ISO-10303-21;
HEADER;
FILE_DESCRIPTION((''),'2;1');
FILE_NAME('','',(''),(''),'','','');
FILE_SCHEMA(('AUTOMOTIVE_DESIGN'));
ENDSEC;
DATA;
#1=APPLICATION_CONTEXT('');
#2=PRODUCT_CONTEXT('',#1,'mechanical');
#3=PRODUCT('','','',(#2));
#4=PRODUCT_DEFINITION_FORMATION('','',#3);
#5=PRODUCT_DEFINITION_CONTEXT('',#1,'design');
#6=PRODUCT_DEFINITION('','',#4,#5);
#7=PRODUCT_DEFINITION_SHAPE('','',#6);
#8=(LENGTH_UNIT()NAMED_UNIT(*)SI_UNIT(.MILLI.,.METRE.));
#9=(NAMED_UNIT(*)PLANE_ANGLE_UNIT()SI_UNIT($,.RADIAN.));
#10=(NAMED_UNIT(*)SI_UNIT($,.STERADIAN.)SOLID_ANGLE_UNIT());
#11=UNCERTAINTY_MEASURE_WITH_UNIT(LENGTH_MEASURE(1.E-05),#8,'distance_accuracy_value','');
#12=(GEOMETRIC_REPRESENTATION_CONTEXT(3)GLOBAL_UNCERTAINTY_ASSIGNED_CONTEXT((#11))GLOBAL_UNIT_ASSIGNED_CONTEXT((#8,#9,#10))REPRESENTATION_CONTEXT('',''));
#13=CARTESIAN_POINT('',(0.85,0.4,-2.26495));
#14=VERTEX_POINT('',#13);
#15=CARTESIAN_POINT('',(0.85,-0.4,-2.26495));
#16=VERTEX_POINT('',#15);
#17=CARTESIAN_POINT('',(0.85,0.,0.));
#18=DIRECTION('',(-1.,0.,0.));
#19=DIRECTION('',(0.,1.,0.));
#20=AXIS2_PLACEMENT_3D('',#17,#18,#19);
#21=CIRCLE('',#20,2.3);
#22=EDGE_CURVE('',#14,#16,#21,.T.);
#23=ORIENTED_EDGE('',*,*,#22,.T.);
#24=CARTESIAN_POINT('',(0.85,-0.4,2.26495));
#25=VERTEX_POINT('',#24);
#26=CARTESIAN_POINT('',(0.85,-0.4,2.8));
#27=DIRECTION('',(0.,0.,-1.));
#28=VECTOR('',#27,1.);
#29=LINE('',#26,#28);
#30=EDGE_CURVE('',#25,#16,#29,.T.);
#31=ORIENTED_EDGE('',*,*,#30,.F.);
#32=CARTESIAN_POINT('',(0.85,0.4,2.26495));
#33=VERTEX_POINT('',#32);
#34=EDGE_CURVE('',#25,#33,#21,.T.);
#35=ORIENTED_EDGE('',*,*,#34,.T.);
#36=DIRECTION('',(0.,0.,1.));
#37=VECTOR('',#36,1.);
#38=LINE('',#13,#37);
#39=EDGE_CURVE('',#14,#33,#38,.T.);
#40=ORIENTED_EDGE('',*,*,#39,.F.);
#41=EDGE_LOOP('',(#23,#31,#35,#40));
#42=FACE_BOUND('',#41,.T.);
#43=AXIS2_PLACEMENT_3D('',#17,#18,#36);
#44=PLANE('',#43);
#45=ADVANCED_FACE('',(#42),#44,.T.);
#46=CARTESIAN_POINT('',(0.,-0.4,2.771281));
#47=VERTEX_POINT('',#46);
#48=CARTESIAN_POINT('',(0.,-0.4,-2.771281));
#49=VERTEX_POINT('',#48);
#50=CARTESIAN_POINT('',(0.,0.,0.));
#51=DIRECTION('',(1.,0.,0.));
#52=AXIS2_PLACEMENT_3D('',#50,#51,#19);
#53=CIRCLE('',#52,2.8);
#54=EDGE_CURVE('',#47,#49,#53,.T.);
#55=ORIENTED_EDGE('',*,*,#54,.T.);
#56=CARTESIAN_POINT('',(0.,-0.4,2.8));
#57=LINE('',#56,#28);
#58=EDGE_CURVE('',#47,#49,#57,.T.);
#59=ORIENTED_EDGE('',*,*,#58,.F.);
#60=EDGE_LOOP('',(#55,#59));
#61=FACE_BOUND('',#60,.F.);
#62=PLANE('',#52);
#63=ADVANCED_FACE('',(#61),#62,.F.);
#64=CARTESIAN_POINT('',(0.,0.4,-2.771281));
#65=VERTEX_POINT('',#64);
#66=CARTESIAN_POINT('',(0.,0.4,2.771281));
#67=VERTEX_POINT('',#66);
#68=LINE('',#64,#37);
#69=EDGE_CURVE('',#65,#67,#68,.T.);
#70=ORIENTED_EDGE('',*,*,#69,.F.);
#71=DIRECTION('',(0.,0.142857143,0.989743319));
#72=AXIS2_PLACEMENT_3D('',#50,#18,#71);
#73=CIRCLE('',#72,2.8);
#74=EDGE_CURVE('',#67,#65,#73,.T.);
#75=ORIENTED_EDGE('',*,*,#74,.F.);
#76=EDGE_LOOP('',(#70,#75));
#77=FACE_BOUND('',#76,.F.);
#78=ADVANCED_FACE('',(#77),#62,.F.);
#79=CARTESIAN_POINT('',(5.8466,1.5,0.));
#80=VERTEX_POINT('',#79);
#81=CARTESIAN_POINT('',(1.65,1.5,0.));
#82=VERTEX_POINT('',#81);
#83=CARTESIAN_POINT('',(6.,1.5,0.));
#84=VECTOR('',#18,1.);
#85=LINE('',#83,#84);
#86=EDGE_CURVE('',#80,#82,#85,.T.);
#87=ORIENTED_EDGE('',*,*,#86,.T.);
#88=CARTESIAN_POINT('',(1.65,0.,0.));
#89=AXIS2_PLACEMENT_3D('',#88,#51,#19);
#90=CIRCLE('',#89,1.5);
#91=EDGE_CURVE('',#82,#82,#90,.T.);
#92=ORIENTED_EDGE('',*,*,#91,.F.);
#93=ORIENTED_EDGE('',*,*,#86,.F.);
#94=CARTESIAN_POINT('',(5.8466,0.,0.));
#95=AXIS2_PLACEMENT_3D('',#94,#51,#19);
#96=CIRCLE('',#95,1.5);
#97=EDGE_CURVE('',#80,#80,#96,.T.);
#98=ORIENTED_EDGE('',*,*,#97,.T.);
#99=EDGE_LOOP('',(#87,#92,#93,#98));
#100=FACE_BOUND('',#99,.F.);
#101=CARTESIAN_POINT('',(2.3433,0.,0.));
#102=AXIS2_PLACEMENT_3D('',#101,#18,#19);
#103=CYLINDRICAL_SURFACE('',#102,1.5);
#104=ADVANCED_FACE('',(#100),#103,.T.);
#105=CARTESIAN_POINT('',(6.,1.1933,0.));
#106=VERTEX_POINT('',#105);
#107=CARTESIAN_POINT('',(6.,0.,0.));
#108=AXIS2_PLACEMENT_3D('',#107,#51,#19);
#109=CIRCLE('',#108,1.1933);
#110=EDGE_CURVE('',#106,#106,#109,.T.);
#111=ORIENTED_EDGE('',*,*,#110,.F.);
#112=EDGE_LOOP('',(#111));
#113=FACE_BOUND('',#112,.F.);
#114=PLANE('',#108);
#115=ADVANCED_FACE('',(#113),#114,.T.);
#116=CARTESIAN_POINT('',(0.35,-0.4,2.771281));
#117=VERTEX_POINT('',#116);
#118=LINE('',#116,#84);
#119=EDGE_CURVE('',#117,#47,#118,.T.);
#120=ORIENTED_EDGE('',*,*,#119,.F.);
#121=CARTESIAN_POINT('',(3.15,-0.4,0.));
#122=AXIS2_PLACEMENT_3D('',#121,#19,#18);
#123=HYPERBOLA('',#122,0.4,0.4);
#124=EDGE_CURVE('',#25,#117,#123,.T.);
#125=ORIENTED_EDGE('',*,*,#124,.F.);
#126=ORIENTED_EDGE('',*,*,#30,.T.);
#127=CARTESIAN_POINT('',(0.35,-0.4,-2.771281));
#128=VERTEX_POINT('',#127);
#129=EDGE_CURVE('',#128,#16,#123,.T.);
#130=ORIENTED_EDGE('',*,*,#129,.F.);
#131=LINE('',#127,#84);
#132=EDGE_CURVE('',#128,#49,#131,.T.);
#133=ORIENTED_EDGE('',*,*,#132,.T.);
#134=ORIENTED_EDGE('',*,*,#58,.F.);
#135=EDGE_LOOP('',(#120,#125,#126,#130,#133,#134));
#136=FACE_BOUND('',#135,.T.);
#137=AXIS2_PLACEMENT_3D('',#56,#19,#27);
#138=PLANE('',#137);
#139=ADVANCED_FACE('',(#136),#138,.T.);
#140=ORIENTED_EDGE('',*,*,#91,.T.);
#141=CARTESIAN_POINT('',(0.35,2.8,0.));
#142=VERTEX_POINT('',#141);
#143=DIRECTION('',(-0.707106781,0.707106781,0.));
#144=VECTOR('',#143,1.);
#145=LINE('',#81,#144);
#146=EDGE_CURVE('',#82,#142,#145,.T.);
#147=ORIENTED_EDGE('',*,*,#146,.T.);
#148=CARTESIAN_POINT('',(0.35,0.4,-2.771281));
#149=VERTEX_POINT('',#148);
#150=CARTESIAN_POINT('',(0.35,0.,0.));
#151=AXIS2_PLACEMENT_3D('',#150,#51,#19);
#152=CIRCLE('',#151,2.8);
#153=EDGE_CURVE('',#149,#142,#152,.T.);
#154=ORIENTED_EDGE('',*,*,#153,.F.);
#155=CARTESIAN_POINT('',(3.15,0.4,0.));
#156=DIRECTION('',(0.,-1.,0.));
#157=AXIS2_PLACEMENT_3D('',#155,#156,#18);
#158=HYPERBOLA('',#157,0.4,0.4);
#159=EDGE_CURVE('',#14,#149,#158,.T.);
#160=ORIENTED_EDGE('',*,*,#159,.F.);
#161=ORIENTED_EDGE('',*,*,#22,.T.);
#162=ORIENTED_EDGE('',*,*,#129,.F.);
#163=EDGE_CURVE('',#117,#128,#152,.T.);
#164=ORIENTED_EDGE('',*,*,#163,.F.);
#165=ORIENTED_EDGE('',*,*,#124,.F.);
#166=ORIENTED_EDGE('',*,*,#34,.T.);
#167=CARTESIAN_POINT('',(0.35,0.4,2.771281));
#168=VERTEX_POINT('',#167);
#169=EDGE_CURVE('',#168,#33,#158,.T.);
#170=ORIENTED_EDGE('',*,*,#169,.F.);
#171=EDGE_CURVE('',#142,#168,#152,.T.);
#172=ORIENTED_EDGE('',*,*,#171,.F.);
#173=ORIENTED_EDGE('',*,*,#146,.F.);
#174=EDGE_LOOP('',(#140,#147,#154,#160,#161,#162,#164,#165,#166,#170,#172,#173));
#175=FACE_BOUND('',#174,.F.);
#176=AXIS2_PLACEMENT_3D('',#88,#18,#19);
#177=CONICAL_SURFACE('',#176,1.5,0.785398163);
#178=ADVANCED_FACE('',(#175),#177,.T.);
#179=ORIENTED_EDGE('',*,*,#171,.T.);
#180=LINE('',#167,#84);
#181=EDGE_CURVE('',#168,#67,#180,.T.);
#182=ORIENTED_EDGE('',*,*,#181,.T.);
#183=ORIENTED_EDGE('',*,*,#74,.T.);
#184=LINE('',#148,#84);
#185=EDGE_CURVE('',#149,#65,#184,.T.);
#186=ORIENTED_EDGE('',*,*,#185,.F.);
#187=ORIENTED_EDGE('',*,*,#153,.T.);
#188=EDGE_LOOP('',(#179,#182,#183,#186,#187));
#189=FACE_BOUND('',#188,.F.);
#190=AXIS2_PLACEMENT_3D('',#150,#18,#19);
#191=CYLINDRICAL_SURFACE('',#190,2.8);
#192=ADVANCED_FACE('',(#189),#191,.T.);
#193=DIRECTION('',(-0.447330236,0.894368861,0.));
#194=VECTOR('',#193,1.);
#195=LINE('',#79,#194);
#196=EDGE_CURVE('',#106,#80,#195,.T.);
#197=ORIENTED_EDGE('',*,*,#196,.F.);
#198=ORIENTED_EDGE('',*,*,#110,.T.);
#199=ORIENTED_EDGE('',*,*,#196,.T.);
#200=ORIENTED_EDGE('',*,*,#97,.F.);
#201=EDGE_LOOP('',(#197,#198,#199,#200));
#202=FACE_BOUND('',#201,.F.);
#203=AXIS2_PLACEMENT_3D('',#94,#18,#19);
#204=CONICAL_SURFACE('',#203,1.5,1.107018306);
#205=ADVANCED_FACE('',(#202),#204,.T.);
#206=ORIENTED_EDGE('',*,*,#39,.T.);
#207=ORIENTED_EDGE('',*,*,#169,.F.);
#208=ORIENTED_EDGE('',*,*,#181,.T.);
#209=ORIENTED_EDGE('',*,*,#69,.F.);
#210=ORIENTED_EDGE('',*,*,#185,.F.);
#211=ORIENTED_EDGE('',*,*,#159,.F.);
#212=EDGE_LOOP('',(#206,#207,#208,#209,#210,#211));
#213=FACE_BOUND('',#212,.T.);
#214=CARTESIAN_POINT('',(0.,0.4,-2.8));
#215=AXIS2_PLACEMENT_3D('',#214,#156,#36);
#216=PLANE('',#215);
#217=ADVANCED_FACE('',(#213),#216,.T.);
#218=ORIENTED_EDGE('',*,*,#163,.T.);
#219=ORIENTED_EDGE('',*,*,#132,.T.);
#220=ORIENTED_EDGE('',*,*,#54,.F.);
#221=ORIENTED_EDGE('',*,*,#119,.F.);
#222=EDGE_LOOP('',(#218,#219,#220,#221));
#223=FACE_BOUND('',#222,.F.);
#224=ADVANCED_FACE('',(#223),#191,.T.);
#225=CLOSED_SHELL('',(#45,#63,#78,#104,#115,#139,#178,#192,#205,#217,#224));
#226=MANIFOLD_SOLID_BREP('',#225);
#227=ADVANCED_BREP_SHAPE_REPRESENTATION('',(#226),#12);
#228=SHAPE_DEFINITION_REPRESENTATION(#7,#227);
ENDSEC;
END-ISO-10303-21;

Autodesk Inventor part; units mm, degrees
ref_plane "YZ Plane" through (0, 0, 0) normal (1, 0, 0) x (0, 1, 0)
ref_plane "XZ Plane" through (0, 0, 0) normal (0, 1, 0) x (-1, 0, 0)
sketch "Skizze1" plane through (0, 0, 0) normal (0, 0, 1) x (1, 0, 0)
  line L0 (0, 0) -> (6, 0)
  line L1 (6, 0) -> (6, 1.5)
  line L2 (6, 1.5) -> (2.65, 1.5)
  line L3 (2.65, 1.5) -> (2.3433, 1.5)
  line L4 (2.3433, 1.5) -> (1.65, 1.5)
  line L5 (1.65, 1.5) -> (0.35, 2.8)
  line L6 (0.35, 2.8) -> (0, 2.8)
  line L7 (0, 2.8) -> (0, 0)
  line L8 (2.65, 1.5) -> (1.65, 1.5) construction
  line L9 (-1.2, 0) -> (7.2, 0) projected
  line L10 (0, 3.36) -> (0, -0.56) projected
  dimension "d0" = 6
  dimension "d1" = 45
  dimension "d2" = 0.3067
  dimension "d3" = 3.35
  dimension "d4" = 1.65
  dimension "d5" = 3
  dimension "d6" = 3
  dimension "d7" = 5.6
revolve "Körper" add sketch "Skizze1" angle 360 about axis through (0, 0, 0) along (1, 0, 0)
sketch "Skizze2" plane through (0, 0, 0) normal (-1, 0, 0) x (0, 0, 1)
  line L0 (2.8, -0.4) -> (-2.8, -0.4)
  line L1 (-2.8, -0.4) -> (-2.8, 0.4)
  line L2 (-2.8, 0.4) -> (2.8, 0.4)
  line L3 (2.8, 0.4) -> (2.8, -0.4)
  line L4 (0, 0.4) -> (0, -0.4) construction
  line L5 (-2.8, 0) -> (2.8, 0) construction
  line L6 (0, 2.8) -> (0, 0) projected
  dimension "d15" = 0.8
  dimension "d16" = 5.6
extrude "Loch" cut sketch "Skizze2" against normal blind 0.85
thread "Gewinde" size "M3x0.5" class "6g" standard "ISO Metric profile" length 3.35
chamfer "Fase1" distance 0.3067 distance2 0.1534 1 edges at (6, -1.5, 0) measured on face at (6, -0.5112, 0.3316)
ref_plane "Work Plane1" through (33.575, 0, 0) normal (0, 0, -1) x (1, 0, 0)
equation "\"d1\" = 0.5 * SEWI"
equation "\"d2\" = GAL"
equation "\"d4\" = KOH"
equation "\"d5\" = BDM"
equation "\"d6\" = GD"
equation "\"d7\" = KOD"
equation "\"d15\" = SBR"
equation "\"d16\" = KOD"
equation "\"d8\" = STI"
equation "\"d12\" = -0.5 * SPD + 0.5 * GD"
equation "\"d13\" = 0.5 * GAL"
equation "\"NLG\" = 4"
equation "\"GAL\" = 0.61345 * PTC"
equation "\"GEL\" = 1.35"
equation "\"KOH\" = 1.65"
equation "\"KOD\" = 5.6"
equation "\"SEWI\" = 90deg"
equation "\"BDM\" = NND"
equation "\"GD\" = NND"
equation "\"SBR\" = 0.8"
equation "\"STI\" = 0.85"
equation "\"SPD\" = NND - 1.2269 * PTC"
equation "\"GUL\" = 0.61345 * PTC"
equation "\"PTC\" = 0.5"
equation "\"EPV\" = 3.15"
equation "\"THREADDIA\" = 3"
equation "\"TOA\" = 30deg"
equation "\"NND\" = 3"
equation "\"GD1\" = THREADDIA - 1.2269 * PTC"
properties part number "DIN 963 - M3 x 4" material "Edelstahl"
